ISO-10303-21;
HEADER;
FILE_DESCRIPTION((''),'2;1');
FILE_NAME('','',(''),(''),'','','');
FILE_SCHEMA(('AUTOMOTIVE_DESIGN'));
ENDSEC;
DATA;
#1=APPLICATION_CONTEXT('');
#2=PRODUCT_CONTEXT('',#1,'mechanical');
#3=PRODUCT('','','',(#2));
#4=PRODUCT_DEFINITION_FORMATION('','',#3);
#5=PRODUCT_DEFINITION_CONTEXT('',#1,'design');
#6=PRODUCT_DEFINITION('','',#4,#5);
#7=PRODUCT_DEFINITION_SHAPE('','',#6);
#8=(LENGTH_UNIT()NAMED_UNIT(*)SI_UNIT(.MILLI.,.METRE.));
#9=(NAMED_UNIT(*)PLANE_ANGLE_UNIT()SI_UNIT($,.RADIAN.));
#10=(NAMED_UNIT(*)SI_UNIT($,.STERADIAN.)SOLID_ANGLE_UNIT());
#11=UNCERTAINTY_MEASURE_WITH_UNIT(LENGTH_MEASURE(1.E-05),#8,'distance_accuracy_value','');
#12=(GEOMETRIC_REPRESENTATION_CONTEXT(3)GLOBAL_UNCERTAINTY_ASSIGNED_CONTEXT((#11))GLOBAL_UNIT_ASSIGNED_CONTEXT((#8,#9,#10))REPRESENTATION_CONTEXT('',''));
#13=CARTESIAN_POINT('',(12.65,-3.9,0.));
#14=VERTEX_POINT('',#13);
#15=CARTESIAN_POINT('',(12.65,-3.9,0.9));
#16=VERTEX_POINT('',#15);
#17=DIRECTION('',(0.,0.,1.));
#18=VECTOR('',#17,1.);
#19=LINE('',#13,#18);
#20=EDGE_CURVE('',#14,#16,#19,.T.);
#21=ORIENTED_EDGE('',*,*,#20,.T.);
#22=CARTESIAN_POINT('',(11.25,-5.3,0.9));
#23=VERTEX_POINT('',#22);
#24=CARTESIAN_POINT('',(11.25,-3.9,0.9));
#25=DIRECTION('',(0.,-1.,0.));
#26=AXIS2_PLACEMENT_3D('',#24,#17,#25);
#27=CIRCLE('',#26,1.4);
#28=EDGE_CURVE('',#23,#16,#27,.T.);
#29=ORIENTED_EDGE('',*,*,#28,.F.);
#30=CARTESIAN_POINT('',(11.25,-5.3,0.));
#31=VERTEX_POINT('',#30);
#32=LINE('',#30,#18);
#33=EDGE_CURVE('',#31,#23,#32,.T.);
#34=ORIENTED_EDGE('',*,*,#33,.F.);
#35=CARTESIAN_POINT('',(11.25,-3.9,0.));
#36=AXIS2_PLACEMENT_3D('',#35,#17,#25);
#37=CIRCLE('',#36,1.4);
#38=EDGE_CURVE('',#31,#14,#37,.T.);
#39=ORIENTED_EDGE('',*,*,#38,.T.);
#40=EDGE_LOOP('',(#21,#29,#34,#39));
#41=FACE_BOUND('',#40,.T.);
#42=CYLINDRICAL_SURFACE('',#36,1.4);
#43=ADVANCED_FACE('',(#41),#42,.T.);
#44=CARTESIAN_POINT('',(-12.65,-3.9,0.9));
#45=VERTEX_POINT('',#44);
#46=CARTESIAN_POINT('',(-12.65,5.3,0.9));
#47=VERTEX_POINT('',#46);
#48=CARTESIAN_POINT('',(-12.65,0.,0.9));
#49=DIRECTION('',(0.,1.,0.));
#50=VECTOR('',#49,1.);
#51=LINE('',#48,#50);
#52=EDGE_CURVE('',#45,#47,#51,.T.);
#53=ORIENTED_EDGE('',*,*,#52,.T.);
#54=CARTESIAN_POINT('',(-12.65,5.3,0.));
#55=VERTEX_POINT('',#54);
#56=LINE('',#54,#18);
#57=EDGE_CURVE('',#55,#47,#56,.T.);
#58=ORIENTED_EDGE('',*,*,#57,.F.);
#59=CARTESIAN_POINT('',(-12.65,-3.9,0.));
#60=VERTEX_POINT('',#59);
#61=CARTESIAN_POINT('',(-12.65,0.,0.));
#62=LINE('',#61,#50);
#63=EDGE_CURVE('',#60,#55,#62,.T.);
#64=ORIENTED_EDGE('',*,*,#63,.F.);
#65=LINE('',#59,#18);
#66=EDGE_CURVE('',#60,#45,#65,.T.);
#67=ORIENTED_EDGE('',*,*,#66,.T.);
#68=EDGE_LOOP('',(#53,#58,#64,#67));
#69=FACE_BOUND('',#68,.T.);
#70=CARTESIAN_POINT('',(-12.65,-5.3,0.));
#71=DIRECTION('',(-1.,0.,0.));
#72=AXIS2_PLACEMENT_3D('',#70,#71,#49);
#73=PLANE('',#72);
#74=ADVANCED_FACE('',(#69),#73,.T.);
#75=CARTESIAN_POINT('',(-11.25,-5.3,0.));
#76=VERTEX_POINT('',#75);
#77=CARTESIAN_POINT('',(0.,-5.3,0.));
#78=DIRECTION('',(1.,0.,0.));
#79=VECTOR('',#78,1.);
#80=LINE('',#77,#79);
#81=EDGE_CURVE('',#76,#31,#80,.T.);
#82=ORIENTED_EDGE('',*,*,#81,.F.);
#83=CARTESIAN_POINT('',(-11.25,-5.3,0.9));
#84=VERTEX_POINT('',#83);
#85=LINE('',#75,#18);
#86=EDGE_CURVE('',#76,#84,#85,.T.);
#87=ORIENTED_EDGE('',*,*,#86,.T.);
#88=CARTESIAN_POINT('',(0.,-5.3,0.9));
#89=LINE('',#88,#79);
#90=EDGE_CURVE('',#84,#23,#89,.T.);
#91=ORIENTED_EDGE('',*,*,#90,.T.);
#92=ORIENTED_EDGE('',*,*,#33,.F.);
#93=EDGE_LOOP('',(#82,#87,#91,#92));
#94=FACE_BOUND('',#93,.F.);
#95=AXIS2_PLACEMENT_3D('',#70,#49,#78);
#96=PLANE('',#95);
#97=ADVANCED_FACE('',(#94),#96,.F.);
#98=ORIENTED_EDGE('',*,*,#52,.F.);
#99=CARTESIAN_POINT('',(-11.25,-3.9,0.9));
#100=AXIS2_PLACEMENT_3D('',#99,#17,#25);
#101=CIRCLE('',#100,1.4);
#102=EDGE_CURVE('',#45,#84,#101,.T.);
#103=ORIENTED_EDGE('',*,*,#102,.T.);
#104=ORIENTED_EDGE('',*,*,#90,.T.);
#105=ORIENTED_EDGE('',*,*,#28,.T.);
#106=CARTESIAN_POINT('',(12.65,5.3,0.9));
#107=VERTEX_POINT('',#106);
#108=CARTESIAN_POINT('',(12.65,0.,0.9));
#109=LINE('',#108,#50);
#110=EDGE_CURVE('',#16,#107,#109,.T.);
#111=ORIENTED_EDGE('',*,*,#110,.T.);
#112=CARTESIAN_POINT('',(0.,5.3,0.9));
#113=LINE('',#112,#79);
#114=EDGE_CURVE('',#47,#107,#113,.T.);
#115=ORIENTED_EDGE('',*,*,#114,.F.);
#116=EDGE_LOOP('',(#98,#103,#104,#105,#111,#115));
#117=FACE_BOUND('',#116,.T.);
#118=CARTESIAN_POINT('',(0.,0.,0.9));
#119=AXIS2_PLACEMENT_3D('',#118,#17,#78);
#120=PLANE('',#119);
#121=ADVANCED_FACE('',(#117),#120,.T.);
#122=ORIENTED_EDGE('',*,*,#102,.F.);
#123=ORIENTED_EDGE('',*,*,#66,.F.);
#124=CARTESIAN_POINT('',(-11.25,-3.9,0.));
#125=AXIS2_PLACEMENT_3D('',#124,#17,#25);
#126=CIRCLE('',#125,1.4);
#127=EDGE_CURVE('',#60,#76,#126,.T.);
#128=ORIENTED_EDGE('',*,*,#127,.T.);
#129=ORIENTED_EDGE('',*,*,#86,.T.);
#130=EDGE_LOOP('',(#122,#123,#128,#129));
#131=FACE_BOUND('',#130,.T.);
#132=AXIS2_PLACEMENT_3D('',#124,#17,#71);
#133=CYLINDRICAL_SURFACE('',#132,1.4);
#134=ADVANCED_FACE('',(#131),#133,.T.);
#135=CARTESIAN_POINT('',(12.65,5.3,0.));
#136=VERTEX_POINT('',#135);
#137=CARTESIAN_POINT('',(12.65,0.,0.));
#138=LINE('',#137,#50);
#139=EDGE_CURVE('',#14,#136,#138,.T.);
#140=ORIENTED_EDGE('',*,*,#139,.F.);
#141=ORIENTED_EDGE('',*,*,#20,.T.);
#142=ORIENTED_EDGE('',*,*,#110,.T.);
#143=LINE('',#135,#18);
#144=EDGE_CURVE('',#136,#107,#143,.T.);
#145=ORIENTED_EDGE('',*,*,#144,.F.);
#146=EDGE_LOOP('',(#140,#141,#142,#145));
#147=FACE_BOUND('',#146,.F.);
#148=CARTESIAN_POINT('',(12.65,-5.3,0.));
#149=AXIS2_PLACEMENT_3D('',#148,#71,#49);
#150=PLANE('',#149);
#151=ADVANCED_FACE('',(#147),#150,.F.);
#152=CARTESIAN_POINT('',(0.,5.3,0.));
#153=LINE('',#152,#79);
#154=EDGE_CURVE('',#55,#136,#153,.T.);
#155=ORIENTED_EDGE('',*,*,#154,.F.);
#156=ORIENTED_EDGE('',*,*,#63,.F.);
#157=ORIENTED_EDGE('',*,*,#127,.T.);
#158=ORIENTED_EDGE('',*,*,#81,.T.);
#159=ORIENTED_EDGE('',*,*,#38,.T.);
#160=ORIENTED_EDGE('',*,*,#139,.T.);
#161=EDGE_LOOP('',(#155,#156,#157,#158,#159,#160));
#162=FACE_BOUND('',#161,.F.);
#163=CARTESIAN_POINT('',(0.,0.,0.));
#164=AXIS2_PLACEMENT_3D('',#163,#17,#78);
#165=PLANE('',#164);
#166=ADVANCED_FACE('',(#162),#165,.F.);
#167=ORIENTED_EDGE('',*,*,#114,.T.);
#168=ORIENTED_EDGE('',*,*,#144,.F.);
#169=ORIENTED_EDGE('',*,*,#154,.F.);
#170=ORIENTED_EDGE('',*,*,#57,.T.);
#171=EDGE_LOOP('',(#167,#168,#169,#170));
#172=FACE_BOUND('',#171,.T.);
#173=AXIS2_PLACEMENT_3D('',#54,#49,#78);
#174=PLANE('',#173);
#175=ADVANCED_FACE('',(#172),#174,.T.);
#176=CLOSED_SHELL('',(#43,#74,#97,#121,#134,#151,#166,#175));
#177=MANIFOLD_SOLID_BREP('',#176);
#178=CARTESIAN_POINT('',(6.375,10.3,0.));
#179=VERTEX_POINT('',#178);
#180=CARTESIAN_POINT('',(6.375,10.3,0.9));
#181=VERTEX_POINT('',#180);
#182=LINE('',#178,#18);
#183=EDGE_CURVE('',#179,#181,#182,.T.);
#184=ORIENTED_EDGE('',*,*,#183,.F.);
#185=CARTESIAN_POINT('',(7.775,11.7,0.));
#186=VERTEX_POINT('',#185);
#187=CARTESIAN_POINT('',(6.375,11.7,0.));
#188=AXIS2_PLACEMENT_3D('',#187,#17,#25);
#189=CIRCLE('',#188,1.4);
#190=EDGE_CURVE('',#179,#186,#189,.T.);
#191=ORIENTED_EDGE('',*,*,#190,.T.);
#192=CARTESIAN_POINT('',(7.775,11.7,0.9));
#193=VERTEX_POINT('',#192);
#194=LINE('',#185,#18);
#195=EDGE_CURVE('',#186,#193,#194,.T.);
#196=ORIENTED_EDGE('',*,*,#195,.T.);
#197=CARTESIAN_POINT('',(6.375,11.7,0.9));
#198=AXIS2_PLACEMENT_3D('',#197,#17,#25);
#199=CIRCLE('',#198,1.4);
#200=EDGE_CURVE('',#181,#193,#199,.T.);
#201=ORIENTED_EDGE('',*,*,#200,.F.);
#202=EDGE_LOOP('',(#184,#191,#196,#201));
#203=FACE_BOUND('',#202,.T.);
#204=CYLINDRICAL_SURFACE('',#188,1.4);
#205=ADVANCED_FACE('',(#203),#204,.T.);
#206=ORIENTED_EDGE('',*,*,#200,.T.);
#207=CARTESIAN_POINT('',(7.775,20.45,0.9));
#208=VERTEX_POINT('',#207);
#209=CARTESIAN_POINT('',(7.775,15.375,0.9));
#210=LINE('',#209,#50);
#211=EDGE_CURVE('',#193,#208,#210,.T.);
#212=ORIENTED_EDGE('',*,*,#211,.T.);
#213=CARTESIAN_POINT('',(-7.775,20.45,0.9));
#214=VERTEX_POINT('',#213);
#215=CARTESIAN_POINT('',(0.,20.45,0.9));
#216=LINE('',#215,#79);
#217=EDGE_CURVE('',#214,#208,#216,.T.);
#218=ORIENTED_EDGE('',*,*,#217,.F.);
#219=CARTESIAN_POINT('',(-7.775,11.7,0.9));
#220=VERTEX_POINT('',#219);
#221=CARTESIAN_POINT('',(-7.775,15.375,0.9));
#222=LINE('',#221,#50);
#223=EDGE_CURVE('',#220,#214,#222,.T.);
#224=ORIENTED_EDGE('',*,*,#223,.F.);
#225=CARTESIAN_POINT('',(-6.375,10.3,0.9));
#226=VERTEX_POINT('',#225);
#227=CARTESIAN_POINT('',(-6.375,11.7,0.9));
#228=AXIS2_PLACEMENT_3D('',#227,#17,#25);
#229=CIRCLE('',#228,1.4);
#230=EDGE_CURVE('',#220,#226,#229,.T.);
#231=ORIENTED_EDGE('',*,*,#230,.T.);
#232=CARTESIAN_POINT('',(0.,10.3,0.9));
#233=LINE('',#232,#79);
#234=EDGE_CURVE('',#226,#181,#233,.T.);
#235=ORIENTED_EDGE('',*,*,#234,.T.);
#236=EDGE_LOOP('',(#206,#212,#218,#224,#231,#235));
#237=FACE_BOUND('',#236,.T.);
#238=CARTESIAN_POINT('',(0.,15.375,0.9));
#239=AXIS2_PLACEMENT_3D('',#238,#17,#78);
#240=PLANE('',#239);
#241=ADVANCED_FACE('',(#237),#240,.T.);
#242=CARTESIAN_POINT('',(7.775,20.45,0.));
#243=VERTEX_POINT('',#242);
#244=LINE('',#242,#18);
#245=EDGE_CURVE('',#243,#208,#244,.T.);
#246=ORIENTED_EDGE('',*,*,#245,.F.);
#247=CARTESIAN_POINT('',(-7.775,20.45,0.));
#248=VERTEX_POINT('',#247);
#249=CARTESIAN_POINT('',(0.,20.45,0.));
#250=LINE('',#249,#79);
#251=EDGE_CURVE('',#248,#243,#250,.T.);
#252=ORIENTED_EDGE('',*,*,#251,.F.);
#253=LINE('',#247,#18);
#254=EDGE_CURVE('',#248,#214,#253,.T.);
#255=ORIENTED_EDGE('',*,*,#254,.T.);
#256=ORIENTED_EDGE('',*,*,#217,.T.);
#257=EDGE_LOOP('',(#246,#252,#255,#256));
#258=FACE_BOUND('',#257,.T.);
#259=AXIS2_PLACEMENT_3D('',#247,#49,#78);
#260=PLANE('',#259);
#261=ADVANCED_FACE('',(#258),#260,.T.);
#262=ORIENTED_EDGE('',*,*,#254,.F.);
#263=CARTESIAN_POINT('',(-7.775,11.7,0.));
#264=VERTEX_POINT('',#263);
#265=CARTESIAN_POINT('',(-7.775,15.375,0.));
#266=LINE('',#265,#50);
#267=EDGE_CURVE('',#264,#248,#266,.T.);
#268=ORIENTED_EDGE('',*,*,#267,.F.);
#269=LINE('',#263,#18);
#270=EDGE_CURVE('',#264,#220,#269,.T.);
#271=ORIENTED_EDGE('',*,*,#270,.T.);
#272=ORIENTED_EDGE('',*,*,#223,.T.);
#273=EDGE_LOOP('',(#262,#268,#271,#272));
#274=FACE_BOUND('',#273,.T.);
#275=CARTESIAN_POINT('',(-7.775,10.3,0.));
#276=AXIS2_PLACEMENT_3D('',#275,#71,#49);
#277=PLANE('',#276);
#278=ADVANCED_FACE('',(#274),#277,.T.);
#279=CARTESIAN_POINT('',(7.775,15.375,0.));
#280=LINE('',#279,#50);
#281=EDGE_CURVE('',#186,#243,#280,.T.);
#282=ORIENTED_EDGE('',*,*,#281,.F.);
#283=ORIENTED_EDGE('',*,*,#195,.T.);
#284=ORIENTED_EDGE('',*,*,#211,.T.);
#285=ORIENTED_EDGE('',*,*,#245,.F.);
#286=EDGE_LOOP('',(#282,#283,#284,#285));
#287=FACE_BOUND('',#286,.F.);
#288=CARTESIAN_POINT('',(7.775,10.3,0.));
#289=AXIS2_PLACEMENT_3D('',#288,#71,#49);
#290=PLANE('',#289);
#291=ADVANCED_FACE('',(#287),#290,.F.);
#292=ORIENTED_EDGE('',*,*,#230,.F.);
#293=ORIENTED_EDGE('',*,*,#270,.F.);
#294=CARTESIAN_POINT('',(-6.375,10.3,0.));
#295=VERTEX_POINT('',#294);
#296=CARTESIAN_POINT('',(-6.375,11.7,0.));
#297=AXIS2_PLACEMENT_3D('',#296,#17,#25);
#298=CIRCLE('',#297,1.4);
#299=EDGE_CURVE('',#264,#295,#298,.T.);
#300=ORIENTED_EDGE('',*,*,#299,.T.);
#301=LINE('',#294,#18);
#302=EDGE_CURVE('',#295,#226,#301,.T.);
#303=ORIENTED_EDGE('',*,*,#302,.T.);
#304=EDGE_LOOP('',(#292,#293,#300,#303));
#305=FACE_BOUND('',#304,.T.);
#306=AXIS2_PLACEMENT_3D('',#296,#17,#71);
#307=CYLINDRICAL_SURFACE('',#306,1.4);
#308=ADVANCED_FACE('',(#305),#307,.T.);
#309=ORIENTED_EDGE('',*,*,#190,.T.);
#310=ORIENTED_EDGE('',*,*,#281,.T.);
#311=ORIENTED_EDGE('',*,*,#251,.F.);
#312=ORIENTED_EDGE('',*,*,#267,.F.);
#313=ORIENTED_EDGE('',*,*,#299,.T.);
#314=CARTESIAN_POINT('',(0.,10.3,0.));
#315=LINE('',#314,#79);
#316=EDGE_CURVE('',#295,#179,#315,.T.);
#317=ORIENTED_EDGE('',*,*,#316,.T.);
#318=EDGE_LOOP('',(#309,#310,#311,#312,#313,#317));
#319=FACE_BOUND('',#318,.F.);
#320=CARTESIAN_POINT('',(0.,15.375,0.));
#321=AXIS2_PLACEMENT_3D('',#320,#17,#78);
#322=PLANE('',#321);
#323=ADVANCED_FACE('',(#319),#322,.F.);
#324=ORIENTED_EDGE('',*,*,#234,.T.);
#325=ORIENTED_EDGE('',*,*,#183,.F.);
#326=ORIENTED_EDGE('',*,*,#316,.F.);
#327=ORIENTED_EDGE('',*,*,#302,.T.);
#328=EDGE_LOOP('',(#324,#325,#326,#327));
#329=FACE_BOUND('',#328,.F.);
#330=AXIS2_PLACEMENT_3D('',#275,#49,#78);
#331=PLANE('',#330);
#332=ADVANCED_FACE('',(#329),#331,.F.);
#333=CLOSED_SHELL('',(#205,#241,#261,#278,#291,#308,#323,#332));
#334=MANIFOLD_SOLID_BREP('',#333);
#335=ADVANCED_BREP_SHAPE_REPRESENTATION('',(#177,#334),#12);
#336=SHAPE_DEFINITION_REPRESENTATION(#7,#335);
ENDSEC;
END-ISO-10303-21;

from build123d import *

# Parameters (mm, degrees)
F0_W     = 25.3
F0_H     = 10.6
F0_W_2   = 15.55
F0_H_2   = 10.15
F1_DEPTH = 0.9
F2_R     = 1.4


with BuildPart() as f1:
    # F0 (on Top) → F1 (new body)
    with BuildSketch(Plane.XY):
        Rectangle(F0_W, F0_H)
        with Locations((0, 15.375)):
            Rectangle(F0_W_2, F0_H_2)
    extrude(amount=F1_DEPTH)

    # F2
    f2_edges = [f1.edges().sort_by_distance(p)[0] for p in [
        (-12.65, -5.3, 0.45),
        (12.65, -5.3, 0.45),
        (7.775, 10.3, 0.45),
        (-7.775, 10.3, 0.45),
    ]]
    fillet(f2_edges, radius=F2_R)


solid = f1.part
